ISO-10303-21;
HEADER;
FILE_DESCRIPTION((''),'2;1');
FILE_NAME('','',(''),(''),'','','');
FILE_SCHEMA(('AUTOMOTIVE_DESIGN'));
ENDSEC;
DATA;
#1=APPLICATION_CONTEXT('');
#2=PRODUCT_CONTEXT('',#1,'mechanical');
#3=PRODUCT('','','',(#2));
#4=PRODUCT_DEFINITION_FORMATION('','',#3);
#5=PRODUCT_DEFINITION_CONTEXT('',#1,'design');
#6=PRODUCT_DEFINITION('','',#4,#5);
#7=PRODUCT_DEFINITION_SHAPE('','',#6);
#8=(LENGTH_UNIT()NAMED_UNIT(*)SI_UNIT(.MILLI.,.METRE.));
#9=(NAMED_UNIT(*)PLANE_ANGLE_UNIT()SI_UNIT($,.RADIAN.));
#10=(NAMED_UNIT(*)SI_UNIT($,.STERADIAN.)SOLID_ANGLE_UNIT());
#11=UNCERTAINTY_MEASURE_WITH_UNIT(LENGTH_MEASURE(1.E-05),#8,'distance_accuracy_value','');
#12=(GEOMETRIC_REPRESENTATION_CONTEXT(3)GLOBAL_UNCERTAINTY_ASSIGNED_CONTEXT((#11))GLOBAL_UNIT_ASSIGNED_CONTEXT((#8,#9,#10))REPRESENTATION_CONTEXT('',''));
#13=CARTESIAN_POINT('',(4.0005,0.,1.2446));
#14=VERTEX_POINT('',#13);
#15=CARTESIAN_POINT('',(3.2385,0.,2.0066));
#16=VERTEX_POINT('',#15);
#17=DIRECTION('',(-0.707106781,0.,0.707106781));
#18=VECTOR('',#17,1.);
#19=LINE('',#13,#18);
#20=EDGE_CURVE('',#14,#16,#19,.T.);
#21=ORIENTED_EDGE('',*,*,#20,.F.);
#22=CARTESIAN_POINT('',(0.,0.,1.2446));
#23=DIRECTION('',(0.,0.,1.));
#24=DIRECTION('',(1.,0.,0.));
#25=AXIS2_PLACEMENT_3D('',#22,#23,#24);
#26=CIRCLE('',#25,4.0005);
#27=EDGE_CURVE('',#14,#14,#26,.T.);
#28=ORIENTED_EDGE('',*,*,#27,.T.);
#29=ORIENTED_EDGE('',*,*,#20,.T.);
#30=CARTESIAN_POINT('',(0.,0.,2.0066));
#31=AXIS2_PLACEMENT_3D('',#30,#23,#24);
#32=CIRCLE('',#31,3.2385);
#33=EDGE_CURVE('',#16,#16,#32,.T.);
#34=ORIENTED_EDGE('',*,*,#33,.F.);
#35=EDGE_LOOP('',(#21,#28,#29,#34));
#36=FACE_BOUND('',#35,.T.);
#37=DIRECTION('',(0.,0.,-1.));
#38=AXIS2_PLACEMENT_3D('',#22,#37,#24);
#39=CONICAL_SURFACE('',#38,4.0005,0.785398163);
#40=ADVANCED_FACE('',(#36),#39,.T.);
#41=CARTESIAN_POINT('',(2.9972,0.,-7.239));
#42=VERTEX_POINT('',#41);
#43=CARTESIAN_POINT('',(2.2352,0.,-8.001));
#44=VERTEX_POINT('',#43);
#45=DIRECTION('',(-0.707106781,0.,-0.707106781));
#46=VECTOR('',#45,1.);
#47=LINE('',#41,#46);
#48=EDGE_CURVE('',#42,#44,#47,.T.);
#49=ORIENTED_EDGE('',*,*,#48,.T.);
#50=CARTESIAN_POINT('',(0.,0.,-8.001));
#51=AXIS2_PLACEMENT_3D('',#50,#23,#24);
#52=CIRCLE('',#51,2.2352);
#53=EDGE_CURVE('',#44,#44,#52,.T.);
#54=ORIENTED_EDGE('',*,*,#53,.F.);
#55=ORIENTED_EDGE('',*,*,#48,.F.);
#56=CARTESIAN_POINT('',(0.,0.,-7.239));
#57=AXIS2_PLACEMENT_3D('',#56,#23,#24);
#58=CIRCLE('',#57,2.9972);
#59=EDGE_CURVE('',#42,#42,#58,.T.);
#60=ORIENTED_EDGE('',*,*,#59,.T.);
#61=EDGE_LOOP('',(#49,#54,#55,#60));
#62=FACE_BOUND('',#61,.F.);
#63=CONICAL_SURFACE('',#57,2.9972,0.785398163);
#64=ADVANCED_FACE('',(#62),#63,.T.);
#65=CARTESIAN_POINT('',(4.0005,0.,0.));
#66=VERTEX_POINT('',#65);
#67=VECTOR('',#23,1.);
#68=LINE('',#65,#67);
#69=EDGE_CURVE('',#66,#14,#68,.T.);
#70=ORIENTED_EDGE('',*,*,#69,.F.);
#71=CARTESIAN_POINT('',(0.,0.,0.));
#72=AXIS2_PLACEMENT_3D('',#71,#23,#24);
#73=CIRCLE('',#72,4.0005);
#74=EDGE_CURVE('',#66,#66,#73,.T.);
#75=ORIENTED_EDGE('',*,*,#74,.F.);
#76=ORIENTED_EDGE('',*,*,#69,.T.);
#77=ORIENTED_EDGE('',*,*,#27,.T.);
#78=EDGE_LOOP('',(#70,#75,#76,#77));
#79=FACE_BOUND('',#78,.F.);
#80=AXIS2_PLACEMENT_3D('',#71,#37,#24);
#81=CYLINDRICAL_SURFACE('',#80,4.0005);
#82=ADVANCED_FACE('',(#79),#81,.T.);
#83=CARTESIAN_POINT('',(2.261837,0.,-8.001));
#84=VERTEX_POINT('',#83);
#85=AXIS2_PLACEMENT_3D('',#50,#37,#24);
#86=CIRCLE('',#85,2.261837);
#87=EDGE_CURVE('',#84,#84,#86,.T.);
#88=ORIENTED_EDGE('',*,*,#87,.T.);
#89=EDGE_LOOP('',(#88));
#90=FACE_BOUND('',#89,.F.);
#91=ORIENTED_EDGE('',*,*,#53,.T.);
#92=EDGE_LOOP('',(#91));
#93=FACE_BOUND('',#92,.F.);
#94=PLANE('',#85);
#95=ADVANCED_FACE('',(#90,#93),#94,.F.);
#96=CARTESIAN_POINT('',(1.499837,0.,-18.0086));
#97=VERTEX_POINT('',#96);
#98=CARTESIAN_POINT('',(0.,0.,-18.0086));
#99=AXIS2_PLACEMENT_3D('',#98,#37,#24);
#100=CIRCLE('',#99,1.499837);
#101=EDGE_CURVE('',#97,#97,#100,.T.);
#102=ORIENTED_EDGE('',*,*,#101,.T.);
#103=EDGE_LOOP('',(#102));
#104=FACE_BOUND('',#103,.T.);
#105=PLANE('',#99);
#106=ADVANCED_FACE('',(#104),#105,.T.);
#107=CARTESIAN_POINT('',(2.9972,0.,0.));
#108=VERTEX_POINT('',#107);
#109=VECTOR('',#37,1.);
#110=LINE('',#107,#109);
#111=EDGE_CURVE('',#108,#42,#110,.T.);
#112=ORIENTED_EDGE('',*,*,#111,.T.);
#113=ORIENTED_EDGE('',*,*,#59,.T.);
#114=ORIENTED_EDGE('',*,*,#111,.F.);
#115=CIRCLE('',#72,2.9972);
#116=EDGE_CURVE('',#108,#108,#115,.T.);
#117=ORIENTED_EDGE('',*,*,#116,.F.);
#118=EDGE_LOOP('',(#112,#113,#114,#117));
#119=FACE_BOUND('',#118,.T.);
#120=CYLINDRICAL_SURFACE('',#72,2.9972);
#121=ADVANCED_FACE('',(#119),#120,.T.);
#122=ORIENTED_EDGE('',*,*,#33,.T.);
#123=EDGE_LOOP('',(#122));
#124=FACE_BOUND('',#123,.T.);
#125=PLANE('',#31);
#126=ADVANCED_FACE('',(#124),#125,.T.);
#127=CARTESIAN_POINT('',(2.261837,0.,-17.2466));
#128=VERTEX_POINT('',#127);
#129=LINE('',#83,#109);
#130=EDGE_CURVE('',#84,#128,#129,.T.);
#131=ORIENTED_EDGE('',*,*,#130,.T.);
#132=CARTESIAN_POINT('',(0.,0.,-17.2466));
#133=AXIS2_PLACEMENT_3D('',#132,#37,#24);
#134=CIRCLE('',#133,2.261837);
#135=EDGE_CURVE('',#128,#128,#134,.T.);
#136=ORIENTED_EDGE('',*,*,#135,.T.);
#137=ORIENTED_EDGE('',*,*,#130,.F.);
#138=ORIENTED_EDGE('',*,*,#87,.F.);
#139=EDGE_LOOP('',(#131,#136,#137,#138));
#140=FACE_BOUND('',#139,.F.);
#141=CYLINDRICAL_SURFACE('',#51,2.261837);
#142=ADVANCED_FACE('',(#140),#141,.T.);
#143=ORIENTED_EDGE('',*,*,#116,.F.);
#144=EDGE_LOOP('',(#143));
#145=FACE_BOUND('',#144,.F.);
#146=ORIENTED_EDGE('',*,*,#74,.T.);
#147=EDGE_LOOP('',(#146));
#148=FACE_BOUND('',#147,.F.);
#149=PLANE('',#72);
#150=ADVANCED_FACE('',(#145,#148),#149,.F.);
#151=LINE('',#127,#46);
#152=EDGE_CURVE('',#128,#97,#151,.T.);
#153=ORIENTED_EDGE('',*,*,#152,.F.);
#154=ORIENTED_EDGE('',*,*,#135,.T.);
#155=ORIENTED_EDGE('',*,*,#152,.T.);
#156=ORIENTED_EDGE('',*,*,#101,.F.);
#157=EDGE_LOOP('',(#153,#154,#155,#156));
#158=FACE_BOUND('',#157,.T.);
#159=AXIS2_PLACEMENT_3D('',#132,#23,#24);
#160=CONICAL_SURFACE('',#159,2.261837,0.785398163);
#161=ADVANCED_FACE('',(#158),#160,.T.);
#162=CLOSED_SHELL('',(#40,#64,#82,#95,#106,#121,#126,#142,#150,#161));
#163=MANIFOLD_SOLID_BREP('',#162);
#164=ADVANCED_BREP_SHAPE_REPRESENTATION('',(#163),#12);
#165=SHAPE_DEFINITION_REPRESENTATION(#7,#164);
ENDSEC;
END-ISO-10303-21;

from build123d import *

# Parameters (mm, degrees)
F0_R     = 4.0005
F0_R_2   = 2.9972
F1_DEPTH = 2.0066
F2_SIZE  = 0.762
F3_DEPTH = 8.001
F5_SIZE  = 0.762
F4_R     = 2.261837
F6_DEPTH = 10.0076
F7_SIZE  = 0.762


with BuildPart() as f1:
    # F0 (on Top) → F1 (new body)
    with BuildSketch(Plane.XY):
        Circle(F0_R)
        Circle(F0_R_2, mode=Mode.SUBTRACT)
        Circle(F0_R_2)
    extrude(amount=F1_DEPTH)

    # F2
    f2_edges = [f1.edges().sort_by_distance(p)[0] for p in [
        (-4.0005, 0, 2.0066),
    ]]
    chamfer(f2_edges, length=F2_SIZE)

    # F0 (on Top) → F3 (join)
    with BuildSketch(Plane.XY):
        Circle(F0_R_2)
    extrude(amount=-F3_DEPTH)

    # F5
    f5_edges = [f1.edges().sort_by_distance(p)[0] for p in [
        (-2.9972, 0, -8.001),
    ]]
    chamfer(f5_edges, length=F5_SIZE)

    # F4 (on face) → F6 (join)
    with BuildSketch(Plane(origin=(0, 0, -8.001), x_dir=(1, 0, 0), z_dir=(0, 0, -1))):
        Circle(F4_R)
    extrude(amount=F6_DEPTH)

    # F7
    f7_edges = [f1.edges().sort_by_distance(p)[0] for p in [
        (-2.261837, 0, -18.0086),
    ]]
    chamfer(f7_edges, length=F7_SIZE)


solid = f1.part
